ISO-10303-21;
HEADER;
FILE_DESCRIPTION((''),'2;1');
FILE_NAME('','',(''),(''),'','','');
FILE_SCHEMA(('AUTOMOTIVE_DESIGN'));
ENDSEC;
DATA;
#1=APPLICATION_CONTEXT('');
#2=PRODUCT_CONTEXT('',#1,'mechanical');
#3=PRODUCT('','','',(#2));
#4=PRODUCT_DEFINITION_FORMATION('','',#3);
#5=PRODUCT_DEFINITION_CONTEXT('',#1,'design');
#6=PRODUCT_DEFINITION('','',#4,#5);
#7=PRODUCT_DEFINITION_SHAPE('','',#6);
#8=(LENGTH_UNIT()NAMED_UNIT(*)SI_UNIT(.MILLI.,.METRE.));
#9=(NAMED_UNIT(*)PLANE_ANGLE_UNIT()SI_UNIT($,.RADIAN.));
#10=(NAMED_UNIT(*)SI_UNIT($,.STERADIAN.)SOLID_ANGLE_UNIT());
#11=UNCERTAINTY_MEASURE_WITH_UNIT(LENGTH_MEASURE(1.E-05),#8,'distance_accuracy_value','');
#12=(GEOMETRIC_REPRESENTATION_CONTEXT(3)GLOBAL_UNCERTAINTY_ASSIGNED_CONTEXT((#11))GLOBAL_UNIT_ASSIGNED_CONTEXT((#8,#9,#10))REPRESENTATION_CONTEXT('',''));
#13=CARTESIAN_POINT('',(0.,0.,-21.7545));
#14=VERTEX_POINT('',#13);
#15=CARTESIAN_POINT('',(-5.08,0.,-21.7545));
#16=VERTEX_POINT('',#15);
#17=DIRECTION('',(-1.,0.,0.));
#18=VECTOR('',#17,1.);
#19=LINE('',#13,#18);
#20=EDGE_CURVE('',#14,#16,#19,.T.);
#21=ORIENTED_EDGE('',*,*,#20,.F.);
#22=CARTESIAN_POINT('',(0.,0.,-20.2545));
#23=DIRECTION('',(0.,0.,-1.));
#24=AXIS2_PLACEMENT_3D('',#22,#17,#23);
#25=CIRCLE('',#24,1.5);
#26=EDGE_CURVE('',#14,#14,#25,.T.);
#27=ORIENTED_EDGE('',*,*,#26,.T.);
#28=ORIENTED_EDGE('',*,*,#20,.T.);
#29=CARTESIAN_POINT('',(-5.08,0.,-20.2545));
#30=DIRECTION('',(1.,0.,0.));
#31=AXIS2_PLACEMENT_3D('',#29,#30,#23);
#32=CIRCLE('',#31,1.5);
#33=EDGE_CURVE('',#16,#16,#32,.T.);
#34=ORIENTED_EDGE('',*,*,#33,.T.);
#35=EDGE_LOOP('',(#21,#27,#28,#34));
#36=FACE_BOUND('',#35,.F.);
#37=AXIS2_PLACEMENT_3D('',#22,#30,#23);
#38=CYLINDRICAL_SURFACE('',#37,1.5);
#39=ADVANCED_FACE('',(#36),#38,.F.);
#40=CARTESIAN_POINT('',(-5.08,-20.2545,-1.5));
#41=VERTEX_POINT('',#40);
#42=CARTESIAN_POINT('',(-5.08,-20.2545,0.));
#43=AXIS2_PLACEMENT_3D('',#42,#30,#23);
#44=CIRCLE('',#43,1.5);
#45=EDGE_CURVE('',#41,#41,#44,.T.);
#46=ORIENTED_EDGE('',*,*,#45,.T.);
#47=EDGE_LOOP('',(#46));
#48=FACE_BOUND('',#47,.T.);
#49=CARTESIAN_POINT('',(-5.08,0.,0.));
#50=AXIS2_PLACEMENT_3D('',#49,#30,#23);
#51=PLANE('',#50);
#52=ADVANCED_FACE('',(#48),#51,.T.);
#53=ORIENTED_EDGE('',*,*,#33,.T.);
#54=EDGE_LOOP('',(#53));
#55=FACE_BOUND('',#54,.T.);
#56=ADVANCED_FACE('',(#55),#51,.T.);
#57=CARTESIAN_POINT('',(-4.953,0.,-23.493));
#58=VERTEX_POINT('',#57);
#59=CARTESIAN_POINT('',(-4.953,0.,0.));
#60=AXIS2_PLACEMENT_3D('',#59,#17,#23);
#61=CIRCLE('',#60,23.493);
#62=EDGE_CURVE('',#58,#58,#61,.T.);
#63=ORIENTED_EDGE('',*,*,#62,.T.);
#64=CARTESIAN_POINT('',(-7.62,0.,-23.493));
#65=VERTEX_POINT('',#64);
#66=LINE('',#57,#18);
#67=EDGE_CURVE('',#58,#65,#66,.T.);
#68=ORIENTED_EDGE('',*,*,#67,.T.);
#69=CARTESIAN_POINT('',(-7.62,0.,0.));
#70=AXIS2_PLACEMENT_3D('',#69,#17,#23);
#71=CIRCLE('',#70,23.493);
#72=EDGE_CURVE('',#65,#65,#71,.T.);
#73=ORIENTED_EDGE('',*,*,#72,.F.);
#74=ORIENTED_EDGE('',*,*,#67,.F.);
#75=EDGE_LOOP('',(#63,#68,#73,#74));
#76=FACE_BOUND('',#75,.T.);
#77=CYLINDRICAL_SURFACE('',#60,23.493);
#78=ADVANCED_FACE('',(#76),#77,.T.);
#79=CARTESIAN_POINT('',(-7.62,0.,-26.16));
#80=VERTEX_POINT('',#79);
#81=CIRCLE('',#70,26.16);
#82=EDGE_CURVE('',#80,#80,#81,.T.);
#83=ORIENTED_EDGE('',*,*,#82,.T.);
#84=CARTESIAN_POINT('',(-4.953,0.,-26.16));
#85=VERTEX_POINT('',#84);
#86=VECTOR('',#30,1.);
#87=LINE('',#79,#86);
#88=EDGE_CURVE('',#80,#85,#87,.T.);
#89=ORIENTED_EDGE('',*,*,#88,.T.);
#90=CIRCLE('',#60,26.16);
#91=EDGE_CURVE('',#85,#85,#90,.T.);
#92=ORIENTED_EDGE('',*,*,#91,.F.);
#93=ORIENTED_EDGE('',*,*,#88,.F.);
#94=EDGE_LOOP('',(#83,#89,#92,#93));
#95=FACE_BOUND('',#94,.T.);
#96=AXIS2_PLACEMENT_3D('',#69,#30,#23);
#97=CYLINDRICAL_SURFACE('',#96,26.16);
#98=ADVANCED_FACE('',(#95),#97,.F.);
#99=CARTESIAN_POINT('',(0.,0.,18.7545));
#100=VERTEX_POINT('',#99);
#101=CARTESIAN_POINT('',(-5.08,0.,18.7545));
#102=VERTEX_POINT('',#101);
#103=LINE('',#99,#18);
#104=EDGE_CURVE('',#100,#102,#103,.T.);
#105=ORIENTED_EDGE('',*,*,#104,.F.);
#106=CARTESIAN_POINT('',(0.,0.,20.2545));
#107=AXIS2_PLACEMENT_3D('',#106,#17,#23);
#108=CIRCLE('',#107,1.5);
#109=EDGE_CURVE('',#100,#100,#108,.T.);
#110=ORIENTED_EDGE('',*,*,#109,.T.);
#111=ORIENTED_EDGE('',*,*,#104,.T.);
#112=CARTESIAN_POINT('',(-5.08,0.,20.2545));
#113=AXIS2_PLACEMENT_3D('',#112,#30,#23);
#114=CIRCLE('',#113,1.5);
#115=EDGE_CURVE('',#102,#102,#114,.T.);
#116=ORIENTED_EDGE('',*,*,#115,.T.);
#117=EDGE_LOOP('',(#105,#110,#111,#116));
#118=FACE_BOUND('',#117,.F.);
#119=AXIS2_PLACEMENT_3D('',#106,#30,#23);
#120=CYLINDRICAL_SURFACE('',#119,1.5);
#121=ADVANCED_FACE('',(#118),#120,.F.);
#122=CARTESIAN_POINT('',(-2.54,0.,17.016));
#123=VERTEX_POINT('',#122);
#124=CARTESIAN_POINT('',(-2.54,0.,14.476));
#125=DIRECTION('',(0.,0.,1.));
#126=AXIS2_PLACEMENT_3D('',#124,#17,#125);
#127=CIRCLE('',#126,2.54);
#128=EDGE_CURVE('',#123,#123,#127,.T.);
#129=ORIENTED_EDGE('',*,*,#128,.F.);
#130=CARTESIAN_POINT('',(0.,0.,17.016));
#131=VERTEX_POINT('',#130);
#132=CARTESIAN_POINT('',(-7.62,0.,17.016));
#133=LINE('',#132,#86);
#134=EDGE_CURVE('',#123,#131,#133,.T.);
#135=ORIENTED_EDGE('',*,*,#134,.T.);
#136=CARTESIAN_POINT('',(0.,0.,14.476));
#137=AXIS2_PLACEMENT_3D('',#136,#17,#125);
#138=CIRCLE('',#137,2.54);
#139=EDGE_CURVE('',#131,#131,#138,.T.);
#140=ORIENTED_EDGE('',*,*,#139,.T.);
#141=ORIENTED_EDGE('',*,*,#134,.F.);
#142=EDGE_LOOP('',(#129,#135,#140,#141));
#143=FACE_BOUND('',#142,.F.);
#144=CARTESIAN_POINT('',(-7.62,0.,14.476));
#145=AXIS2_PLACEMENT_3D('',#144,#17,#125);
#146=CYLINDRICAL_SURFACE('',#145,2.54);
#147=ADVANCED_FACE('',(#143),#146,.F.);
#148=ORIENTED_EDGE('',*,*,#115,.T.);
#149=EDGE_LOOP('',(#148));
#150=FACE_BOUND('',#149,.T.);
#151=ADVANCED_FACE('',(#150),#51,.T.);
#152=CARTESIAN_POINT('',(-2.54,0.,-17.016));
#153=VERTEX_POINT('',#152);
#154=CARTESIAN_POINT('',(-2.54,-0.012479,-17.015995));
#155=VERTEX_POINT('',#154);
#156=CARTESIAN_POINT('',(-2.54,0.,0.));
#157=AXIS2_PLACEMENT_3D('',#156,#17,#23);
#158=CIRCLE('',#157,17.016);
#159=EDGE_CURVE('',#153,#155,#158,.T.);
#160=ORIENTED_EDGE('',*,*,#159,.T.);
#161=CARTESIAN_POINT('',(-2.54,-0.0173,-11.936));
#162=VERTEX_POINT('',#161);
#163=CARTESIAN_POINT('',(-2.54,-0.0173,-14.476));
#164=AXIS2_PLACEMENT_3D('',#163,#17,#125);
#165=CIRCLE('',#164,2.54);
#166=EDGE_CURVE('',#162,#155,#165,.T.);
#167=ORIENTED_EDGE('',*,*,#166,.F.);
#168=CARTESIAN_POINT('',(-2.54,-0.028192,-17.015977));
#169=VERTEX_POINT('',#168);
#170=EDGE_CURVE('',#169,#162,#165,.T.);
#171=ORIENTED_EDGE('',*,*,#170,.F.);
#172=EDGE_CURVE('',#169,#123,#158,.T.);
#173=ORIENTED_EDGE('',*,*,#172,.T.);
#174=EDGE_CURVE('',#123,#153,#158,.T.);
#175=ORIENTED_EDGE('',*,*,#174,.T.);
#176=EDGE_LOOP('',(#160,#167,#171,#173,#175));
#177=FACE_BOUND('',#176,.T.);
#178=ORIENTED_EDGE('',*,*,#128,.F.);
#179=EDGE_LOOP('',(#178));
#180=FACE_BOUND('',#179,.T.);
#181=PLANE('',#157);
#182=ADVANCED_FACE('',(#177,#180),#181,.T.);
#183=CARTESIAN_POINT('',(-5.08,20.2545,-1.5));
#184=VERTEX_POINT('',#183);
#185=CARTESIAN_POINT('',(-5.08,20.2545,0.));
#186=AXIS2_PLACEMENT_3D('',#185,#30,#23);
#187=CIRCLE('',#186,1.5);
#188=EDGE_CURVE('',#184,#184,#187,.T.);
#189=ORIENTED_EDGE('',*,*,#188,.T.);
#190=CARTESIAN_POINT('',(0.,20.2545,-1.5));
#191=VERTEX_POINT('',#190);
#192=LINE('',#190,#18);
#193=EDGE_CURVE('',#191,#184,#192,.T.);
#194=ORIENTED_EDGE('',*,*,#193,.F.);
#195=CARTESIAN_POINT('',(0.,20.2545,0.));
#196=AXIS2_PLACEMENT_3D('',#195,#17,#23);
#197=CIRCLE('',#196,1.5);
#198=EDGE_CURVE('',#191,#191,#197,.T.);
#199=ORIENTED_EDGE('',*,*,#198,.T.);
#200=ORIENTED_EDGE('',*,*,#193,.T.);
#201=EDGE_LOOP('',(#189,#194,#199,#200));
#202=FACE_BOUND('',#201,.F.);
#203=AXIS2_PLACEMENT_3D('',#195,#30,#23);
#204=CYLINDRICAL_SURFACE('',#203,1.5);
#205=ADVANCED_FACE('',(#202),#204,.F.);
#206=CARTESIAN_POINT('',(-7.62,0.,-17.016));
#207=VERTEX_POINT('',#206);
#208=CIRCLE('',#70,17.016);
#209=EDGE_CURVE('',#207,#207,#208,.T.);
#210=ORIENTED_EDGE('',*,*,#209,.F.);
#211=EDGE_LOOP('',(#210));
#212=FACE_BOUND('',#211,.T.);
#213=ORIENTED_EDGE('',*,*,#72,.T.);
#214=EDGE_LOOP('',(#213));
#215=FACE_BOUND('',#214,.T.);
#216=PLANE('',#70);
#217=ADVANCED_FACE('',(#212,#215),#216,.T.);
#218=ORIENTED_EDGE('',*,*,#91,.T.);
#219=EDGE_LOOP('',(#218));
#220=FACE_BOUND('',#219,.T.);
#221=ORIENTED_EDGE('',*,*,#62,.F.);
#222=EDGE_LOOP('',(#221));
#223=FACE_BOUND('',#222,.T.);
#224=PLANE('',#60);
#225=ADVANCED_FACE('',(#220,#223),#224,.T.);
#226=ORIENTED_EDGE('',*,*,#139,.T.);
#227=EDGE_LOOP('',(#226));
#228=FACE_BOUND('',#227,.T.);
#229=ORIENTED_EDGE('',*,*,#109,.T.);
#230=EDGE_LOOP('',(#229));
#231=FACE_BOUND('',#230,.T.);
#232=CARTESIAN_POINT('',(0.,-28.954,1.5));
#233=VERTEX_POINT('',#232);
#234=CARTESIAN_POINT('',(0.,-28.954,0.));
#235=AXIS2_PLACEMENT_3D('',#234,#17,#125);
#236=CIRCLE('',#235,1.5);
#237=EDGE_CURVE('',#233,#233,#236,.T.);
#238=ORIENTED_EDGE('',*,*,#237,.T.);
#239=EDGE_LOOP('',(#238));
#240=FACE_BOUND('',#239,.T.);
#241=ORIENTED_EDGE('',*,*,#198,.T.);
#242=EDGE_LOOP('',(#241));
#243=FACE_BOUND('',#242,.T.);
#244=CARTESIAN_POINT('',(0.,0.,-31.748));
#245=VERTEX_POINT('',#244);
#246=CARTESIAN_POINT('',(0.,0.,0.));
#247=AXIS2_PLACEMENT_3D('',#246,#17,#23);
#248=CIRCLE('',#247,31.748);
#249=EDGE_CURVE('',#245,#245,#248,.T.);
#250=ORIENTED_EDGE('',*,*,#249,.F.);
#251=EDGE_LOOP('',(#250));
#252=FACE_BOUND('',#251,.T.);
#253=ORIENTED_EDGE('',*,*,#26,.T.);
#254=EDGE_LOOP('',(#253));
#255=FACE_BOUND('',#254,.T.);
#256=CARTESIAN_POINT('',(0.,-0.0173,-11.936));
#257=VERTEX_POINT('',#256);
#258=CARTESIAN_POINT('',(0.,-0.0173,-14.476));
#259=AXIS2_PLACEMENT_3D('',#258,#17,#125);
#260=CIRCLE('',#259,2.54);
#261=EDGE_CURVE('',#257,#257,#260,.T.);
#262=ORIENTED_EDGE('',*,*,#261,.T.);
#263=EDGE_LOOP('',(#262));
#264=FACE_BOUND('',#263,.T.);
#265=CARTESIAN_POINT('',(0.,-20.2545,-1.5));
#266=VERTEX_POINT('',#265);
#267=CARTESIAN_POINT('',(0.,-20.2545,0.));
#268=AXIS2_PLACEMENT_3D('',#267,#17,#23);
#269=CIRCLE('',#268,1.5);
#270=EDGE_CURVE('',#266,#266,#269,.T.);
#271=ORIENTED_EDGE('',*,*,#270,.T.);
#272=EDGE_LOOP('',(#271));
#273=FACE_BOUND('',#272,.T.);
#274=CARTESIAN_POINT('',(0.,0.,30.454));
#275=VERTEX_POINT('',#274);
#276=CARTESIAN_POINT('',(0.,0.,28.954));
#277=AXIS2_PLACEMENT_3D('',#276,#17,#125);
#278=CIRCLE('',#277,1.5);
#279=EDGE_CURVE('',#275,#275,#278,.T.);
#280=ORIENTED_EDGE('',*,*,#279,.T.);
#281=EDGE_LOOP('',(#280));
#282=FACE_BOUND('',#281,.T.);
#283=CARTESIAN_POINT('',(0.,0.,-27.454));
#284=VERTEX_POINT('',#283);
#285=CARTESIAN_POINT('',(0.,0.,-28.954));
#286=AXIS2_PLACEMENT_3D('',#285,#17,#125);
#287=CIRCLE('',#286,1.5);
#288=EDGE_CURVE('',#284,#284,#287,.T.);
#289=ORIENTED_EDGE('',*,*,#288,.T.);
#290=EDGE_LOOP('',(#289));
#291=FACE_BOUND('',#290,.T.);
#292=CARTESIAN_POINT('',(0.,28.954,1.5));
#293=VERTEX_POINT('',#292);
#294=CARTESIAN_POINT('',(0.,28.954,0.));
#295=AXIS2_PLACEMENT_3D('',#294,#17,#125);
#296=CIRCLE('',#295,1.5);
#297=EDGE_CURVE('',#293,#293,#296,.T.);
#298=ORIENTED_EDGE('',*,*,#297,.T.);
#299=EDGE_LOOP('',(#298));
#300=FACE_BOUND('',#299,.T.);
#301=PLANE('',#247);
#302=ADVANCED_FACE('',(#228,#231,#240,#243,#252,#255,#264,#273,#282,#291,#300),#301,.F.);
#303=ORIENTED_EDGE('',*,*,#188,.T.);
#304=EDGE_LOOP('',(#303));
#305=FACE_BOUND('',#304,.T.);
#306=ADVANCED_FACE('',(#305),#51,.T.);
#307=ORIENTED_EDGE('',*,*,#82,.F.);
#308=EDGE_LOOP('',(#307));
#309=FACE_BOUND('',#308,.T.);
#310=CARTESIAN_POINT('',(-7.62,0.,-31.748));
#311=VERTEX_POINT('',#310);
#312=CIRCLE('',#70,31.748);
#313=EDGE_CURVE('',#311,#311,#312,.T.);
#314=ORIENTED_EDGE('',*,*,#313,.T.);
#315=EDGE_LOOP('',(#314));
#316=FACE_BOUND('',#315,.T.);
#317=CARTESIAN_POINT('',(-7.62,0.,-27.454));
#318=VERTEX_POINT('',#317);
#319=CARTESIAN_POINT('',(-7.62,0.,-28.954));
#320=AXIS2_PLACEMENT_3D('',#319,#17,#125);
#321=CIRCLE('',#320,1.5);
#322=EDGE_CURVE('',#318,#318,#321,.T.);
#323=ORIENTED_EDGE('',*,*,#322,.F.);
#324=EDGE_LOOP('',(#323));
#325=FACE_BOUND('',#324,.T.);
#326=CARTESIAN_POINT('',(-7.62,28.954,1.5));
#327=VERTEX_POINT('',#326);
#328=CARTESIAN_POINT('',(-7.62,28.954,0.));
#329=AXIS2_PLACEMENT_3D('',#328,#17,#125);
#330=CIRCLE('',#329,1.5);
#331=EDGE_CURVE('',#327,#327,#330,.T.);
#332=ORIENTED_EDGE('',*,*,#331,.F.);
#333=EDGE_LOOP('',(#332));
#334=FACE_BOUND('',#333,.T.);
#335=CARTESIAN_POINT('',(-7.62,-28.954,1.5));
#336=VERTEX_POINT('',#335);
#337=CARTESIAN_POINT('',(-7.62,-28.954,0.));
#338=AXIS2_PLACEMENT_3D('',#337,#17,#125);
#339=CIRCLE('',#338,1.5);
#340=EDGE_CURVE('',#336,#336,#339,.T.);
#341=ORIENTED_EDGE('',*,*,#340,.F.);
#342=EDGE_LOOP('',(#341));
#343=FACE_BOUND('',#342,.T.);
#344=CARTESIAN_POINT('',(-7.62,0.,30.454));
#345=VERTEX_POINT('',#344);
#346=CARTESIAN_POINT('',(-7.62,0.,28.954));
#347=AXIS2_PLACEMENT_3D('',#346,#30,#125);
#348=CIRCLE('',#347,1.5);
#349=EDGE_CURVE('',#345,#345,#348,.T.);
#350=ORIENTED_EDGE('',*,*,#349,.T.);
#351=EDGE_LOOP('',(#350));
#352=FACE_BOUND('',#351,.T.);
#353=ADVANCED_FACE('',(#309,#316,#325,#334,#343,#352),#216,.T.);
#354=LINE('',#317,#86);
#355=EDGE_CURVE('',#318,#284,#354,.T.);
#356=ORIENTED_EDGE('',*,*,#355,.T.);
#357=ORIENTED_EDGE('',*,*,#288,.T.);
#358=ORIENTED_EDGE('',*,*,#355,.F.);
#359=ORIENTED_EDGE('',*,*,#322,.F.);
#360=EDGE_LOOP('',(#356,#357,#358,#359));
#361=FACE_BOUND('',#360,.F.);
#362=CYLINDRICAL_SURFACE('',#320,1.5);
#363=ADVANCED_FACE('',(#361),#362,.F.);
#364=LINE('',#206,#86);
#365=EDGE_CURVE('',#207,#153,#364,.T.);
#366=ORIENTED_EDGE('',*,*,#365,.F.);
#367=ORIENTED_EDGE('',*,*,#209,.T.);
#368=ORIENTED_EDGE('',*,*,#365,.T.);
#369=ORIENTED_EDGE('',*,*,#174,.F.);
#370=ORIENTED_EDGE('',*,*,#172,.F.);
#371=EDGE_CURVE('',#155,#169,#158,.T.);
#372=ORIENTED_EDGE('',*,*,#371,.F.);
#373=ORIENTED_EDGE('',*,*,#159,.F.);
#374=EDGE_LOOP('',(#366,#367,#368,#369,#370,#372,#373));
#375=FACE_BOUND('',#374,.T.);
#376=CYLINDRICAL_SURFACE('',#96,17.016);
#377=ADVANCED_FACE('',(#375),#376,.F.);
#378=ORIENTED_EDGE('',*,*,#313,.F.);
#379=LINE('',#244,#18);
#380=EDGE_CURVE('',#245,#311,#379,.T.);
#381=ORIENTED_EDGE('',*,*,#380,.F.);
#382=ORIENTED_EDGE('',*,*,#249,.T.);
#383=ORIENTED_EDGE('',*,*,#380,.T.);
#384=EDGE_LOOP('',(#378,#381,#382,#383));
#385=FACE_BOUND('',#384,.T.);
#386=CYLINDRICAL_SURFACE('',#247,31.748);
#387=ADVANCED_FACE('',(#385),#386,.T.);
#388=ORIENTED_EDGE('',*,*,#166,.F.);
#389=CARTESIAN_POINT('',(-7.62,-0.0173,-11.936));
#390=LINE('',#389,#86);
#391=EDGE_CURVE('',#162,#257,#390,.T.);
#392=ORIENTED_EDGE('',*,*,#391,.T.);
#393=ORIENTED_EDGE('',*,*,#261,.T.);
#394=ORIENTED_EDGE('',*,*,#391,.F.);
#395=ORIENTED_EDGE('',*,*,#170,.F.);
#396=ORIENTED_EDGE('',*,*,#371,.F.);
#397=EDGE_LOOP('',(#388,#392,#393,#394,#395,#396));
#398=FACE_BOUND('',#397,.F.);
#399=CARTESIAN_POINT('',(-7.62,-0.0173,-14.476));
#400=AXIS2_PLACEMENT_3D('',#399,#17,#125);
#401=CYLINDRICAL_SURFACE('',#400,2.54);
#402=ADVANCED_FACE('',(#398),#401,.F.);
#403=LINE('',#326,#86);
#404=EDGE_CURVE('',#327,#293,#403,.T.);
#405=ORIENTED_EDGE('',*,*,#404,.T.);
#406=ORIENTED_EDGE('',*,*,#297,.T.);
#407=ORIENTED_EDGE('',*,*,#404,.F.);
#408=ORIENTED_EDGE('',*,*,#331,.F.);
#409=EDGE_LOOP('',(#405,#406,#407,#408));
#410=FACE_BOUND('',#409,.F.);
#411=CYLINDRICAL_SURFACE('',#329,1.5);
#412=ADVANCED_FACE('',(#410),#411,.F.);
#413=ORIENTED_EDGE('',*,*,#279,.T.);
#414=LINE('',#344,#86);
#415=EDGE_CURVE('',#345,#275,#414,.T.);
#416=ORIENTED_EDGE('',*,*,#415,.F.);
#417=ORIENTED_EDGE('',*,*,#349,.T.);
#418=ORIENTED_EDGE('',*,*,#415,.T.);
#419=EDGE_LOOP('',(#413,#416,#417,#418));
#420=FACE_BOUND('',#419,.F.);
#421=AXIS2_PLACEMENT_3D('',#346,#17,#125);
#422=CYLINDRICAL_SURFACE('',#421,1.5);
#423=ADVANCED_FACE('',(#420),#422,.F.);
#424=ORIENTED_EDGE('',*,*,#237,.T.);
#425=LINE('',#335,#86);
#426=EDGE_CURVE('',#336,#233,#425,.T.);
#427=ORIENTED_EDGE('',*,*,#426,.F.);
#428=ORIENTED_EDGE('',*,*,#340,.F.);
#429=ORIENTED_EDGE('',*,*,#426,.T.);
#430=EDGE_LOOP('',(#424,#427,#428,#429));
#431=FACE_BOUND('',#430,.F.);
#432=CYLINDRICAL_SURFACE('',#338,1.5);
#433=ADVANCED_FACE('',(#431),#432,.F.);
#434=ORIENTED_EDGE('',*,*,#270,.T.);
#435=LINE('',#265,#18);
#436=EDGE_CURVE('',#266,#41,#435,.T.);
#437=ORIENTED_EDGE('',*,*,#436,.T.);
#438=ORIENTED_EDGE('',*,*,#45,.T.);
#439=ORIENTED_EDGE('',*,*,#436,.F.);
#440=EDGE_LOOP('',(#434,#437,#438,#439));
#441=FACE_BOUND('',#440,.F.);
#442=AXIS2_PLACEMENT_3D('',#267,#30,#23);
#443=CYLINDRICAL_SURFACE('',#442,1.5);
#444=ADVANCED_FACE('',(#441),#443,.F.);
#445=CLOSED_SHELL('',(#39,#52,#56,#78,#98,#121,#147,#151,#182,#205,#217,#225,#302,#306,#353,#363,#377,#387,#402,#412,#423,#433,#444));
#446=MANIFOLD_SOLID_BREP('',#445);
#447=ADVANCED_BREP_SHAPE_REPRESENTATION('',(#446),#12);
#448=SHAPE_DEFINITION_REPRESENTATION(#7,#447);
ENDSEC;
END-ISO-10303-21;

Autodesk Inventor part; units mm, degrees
ref_plane "YZ Plane" through (0, 0, 0) normal (1, 0, 0) x (0, 1, 0)
ref_plane "XZ Plane" through (0, 0, 0) normal (0, 1, 0) x (-1, 0, 0)
ref_plane "XY Plane" through (0, 0, 0) normal (0, 0, 1) x (1, 0, 0)
sketch "Sketch1" plane through (0, 0, 0) normal (0, 1, 0) x (-1, 0, 0)
  line L0 (0, 0) -> (0, -31.748)
  line L1 (0, -31.748) -> (7.62, -31.748)
  line L2 (7.62, -31.748) -> (7.62, -26.16)
  line L3 (7.62, -26.16) -> (4.953, -26.16)
  line L4 (4.953, -26.16) -> (4.953, -23.493)
  line L5 (4.953, -23.493) -> (7.62, -23.493)
  line L6 (7.62, -23.493) -> (7.62, -17.016)
  line L7 (7.62, -17.016) -> (2.54, -17.016)
  line L8 (2.54, -17.016) -> (2.54, 0)
  line L9 (0, 0) -> (2.54, 0)
  dimension "d0" = 31.748
  dimension "d1" = 7.62
  dimension "d2" = 5.588
  dimension "d3" = 2.667
  dimension "d4" = 2.667
  dimension "d5" = 6.477
  dimension "d6" = 5.08
  dimension "d7" = 2.54
revolve "Revolution1" add sketch "Sketch1" angle 360 about axis through (0, 0, 0) along (-1, 0, 0)
sketch "Sketch2" plane through (-7.62, 0, 0) normal (-1, 0, 0) x (0, 0, 1)
  circle A0 centre (28.954, 0) radius 1.5
  circle A1 centre (0, 0) radius 31.748 projected
  line L0 (31.748, 0) -> (26.16, 0)
  circle A2 centre (0, 0) radius 26.16 projected
  circle A3 centre (0, 28.954) radius 1.5
  circle A4 centre (-28.954, 0) radius 1.5
  circle A5 centre (0, -28.954) radius 1.5
  dimension "d9" = 3
  dimension "d12" = 360
extrude "Extrusion1" cut sketch "Sketch2" against normal blind 12.7 contours L0 A0 | A0 L0 | A3 | A4 | A5
sketch "Sketch3" plane through (0, 0, 0) normal (1, 0, 0) x (0, 0, -1)
  circle A0 centre (0, 0) radius 23.493 projected
  circle A1 centre (0, 0) radius 20.2545
  circle A2 centre (20.2545, 0) radius 1.5
  circle A3 centre (0, 20.2545) radius 1.5
  circle A4 centre (-20.2545, 0) radius 1.5
  circle A5 centre (0, -20.2545) radius 1.5
  dimension "d17" = 3.2385
  dimension "d18" = 3
  dimension "d21" = 360
sketch "Sketch4" plane through (-7.62, 0, 0) normal (-1, 0, 0) x (0, 0, 1)
  circle A0 centre (0, 0) radius 17.016 projected
  circle A1 centre (0, 0) radius 23.493 projected
  dimension "d16" = 6.477
extrude "Extrusion2" cut sketch "Sketch3" against normal blind 5.08 contours A1 A2 | A1 A2 | A3 A1 | A1 A3 | A5 A1 | A1 A5 | A4 A1 | A1 A4
sketch "Sketch5" plane through (-2.54, 0, 0) normal (-1, 0, 0) x (0, 0, 1)
  circle A0 centre (0, 0) radius 17.016 projected
  line L0 (-17.016, 0) -> (17.016, 0)
  line L1 (-14.478, -9.9949) -> (14.478, -9.9949)
  line L2 (-14.478, 9.9949) -> (14.478, 9.9949)
  line L3 (14.478, 9.9949) -> (14.478, -9.9949)
  line L4 (-14.478, 9.9949) -> (-14.478, -9.9949)
  arc A1 (16.8267, -2.5309) -> (16.8267, 2.5309) centre (0, 0) ccw
  point P0 (0, 9.9949)
  point P1 (14.478, 0)
  dimension "d25" = 28.956
  dimension "d26" = 19.9898
sketch "Sketch8" plane through (-7.62, 0, 0) normal (-1, 0, 0) x (0, 0, 1)
  arc A0 (-17.016, 0) -> (-17.016, 0) centre (17.016, 0) ccw projected
  arc A1 (-16.8238, -2.55) -> (-16.829, 2.5158) centre (-17.016, -0.0173) ccw projected
  circle A2 centre (-14.476, -0.0173) radius 2.54
  circle A3 centre (14.476, 0) radius 2.54
  point P0 (0, 0)
extrude "Extrusion4" cut sketch "Sketch8" against normal blind 25.4 contours A2 A1 | A2 A1 | A3
properties part number "LED holder 2"
